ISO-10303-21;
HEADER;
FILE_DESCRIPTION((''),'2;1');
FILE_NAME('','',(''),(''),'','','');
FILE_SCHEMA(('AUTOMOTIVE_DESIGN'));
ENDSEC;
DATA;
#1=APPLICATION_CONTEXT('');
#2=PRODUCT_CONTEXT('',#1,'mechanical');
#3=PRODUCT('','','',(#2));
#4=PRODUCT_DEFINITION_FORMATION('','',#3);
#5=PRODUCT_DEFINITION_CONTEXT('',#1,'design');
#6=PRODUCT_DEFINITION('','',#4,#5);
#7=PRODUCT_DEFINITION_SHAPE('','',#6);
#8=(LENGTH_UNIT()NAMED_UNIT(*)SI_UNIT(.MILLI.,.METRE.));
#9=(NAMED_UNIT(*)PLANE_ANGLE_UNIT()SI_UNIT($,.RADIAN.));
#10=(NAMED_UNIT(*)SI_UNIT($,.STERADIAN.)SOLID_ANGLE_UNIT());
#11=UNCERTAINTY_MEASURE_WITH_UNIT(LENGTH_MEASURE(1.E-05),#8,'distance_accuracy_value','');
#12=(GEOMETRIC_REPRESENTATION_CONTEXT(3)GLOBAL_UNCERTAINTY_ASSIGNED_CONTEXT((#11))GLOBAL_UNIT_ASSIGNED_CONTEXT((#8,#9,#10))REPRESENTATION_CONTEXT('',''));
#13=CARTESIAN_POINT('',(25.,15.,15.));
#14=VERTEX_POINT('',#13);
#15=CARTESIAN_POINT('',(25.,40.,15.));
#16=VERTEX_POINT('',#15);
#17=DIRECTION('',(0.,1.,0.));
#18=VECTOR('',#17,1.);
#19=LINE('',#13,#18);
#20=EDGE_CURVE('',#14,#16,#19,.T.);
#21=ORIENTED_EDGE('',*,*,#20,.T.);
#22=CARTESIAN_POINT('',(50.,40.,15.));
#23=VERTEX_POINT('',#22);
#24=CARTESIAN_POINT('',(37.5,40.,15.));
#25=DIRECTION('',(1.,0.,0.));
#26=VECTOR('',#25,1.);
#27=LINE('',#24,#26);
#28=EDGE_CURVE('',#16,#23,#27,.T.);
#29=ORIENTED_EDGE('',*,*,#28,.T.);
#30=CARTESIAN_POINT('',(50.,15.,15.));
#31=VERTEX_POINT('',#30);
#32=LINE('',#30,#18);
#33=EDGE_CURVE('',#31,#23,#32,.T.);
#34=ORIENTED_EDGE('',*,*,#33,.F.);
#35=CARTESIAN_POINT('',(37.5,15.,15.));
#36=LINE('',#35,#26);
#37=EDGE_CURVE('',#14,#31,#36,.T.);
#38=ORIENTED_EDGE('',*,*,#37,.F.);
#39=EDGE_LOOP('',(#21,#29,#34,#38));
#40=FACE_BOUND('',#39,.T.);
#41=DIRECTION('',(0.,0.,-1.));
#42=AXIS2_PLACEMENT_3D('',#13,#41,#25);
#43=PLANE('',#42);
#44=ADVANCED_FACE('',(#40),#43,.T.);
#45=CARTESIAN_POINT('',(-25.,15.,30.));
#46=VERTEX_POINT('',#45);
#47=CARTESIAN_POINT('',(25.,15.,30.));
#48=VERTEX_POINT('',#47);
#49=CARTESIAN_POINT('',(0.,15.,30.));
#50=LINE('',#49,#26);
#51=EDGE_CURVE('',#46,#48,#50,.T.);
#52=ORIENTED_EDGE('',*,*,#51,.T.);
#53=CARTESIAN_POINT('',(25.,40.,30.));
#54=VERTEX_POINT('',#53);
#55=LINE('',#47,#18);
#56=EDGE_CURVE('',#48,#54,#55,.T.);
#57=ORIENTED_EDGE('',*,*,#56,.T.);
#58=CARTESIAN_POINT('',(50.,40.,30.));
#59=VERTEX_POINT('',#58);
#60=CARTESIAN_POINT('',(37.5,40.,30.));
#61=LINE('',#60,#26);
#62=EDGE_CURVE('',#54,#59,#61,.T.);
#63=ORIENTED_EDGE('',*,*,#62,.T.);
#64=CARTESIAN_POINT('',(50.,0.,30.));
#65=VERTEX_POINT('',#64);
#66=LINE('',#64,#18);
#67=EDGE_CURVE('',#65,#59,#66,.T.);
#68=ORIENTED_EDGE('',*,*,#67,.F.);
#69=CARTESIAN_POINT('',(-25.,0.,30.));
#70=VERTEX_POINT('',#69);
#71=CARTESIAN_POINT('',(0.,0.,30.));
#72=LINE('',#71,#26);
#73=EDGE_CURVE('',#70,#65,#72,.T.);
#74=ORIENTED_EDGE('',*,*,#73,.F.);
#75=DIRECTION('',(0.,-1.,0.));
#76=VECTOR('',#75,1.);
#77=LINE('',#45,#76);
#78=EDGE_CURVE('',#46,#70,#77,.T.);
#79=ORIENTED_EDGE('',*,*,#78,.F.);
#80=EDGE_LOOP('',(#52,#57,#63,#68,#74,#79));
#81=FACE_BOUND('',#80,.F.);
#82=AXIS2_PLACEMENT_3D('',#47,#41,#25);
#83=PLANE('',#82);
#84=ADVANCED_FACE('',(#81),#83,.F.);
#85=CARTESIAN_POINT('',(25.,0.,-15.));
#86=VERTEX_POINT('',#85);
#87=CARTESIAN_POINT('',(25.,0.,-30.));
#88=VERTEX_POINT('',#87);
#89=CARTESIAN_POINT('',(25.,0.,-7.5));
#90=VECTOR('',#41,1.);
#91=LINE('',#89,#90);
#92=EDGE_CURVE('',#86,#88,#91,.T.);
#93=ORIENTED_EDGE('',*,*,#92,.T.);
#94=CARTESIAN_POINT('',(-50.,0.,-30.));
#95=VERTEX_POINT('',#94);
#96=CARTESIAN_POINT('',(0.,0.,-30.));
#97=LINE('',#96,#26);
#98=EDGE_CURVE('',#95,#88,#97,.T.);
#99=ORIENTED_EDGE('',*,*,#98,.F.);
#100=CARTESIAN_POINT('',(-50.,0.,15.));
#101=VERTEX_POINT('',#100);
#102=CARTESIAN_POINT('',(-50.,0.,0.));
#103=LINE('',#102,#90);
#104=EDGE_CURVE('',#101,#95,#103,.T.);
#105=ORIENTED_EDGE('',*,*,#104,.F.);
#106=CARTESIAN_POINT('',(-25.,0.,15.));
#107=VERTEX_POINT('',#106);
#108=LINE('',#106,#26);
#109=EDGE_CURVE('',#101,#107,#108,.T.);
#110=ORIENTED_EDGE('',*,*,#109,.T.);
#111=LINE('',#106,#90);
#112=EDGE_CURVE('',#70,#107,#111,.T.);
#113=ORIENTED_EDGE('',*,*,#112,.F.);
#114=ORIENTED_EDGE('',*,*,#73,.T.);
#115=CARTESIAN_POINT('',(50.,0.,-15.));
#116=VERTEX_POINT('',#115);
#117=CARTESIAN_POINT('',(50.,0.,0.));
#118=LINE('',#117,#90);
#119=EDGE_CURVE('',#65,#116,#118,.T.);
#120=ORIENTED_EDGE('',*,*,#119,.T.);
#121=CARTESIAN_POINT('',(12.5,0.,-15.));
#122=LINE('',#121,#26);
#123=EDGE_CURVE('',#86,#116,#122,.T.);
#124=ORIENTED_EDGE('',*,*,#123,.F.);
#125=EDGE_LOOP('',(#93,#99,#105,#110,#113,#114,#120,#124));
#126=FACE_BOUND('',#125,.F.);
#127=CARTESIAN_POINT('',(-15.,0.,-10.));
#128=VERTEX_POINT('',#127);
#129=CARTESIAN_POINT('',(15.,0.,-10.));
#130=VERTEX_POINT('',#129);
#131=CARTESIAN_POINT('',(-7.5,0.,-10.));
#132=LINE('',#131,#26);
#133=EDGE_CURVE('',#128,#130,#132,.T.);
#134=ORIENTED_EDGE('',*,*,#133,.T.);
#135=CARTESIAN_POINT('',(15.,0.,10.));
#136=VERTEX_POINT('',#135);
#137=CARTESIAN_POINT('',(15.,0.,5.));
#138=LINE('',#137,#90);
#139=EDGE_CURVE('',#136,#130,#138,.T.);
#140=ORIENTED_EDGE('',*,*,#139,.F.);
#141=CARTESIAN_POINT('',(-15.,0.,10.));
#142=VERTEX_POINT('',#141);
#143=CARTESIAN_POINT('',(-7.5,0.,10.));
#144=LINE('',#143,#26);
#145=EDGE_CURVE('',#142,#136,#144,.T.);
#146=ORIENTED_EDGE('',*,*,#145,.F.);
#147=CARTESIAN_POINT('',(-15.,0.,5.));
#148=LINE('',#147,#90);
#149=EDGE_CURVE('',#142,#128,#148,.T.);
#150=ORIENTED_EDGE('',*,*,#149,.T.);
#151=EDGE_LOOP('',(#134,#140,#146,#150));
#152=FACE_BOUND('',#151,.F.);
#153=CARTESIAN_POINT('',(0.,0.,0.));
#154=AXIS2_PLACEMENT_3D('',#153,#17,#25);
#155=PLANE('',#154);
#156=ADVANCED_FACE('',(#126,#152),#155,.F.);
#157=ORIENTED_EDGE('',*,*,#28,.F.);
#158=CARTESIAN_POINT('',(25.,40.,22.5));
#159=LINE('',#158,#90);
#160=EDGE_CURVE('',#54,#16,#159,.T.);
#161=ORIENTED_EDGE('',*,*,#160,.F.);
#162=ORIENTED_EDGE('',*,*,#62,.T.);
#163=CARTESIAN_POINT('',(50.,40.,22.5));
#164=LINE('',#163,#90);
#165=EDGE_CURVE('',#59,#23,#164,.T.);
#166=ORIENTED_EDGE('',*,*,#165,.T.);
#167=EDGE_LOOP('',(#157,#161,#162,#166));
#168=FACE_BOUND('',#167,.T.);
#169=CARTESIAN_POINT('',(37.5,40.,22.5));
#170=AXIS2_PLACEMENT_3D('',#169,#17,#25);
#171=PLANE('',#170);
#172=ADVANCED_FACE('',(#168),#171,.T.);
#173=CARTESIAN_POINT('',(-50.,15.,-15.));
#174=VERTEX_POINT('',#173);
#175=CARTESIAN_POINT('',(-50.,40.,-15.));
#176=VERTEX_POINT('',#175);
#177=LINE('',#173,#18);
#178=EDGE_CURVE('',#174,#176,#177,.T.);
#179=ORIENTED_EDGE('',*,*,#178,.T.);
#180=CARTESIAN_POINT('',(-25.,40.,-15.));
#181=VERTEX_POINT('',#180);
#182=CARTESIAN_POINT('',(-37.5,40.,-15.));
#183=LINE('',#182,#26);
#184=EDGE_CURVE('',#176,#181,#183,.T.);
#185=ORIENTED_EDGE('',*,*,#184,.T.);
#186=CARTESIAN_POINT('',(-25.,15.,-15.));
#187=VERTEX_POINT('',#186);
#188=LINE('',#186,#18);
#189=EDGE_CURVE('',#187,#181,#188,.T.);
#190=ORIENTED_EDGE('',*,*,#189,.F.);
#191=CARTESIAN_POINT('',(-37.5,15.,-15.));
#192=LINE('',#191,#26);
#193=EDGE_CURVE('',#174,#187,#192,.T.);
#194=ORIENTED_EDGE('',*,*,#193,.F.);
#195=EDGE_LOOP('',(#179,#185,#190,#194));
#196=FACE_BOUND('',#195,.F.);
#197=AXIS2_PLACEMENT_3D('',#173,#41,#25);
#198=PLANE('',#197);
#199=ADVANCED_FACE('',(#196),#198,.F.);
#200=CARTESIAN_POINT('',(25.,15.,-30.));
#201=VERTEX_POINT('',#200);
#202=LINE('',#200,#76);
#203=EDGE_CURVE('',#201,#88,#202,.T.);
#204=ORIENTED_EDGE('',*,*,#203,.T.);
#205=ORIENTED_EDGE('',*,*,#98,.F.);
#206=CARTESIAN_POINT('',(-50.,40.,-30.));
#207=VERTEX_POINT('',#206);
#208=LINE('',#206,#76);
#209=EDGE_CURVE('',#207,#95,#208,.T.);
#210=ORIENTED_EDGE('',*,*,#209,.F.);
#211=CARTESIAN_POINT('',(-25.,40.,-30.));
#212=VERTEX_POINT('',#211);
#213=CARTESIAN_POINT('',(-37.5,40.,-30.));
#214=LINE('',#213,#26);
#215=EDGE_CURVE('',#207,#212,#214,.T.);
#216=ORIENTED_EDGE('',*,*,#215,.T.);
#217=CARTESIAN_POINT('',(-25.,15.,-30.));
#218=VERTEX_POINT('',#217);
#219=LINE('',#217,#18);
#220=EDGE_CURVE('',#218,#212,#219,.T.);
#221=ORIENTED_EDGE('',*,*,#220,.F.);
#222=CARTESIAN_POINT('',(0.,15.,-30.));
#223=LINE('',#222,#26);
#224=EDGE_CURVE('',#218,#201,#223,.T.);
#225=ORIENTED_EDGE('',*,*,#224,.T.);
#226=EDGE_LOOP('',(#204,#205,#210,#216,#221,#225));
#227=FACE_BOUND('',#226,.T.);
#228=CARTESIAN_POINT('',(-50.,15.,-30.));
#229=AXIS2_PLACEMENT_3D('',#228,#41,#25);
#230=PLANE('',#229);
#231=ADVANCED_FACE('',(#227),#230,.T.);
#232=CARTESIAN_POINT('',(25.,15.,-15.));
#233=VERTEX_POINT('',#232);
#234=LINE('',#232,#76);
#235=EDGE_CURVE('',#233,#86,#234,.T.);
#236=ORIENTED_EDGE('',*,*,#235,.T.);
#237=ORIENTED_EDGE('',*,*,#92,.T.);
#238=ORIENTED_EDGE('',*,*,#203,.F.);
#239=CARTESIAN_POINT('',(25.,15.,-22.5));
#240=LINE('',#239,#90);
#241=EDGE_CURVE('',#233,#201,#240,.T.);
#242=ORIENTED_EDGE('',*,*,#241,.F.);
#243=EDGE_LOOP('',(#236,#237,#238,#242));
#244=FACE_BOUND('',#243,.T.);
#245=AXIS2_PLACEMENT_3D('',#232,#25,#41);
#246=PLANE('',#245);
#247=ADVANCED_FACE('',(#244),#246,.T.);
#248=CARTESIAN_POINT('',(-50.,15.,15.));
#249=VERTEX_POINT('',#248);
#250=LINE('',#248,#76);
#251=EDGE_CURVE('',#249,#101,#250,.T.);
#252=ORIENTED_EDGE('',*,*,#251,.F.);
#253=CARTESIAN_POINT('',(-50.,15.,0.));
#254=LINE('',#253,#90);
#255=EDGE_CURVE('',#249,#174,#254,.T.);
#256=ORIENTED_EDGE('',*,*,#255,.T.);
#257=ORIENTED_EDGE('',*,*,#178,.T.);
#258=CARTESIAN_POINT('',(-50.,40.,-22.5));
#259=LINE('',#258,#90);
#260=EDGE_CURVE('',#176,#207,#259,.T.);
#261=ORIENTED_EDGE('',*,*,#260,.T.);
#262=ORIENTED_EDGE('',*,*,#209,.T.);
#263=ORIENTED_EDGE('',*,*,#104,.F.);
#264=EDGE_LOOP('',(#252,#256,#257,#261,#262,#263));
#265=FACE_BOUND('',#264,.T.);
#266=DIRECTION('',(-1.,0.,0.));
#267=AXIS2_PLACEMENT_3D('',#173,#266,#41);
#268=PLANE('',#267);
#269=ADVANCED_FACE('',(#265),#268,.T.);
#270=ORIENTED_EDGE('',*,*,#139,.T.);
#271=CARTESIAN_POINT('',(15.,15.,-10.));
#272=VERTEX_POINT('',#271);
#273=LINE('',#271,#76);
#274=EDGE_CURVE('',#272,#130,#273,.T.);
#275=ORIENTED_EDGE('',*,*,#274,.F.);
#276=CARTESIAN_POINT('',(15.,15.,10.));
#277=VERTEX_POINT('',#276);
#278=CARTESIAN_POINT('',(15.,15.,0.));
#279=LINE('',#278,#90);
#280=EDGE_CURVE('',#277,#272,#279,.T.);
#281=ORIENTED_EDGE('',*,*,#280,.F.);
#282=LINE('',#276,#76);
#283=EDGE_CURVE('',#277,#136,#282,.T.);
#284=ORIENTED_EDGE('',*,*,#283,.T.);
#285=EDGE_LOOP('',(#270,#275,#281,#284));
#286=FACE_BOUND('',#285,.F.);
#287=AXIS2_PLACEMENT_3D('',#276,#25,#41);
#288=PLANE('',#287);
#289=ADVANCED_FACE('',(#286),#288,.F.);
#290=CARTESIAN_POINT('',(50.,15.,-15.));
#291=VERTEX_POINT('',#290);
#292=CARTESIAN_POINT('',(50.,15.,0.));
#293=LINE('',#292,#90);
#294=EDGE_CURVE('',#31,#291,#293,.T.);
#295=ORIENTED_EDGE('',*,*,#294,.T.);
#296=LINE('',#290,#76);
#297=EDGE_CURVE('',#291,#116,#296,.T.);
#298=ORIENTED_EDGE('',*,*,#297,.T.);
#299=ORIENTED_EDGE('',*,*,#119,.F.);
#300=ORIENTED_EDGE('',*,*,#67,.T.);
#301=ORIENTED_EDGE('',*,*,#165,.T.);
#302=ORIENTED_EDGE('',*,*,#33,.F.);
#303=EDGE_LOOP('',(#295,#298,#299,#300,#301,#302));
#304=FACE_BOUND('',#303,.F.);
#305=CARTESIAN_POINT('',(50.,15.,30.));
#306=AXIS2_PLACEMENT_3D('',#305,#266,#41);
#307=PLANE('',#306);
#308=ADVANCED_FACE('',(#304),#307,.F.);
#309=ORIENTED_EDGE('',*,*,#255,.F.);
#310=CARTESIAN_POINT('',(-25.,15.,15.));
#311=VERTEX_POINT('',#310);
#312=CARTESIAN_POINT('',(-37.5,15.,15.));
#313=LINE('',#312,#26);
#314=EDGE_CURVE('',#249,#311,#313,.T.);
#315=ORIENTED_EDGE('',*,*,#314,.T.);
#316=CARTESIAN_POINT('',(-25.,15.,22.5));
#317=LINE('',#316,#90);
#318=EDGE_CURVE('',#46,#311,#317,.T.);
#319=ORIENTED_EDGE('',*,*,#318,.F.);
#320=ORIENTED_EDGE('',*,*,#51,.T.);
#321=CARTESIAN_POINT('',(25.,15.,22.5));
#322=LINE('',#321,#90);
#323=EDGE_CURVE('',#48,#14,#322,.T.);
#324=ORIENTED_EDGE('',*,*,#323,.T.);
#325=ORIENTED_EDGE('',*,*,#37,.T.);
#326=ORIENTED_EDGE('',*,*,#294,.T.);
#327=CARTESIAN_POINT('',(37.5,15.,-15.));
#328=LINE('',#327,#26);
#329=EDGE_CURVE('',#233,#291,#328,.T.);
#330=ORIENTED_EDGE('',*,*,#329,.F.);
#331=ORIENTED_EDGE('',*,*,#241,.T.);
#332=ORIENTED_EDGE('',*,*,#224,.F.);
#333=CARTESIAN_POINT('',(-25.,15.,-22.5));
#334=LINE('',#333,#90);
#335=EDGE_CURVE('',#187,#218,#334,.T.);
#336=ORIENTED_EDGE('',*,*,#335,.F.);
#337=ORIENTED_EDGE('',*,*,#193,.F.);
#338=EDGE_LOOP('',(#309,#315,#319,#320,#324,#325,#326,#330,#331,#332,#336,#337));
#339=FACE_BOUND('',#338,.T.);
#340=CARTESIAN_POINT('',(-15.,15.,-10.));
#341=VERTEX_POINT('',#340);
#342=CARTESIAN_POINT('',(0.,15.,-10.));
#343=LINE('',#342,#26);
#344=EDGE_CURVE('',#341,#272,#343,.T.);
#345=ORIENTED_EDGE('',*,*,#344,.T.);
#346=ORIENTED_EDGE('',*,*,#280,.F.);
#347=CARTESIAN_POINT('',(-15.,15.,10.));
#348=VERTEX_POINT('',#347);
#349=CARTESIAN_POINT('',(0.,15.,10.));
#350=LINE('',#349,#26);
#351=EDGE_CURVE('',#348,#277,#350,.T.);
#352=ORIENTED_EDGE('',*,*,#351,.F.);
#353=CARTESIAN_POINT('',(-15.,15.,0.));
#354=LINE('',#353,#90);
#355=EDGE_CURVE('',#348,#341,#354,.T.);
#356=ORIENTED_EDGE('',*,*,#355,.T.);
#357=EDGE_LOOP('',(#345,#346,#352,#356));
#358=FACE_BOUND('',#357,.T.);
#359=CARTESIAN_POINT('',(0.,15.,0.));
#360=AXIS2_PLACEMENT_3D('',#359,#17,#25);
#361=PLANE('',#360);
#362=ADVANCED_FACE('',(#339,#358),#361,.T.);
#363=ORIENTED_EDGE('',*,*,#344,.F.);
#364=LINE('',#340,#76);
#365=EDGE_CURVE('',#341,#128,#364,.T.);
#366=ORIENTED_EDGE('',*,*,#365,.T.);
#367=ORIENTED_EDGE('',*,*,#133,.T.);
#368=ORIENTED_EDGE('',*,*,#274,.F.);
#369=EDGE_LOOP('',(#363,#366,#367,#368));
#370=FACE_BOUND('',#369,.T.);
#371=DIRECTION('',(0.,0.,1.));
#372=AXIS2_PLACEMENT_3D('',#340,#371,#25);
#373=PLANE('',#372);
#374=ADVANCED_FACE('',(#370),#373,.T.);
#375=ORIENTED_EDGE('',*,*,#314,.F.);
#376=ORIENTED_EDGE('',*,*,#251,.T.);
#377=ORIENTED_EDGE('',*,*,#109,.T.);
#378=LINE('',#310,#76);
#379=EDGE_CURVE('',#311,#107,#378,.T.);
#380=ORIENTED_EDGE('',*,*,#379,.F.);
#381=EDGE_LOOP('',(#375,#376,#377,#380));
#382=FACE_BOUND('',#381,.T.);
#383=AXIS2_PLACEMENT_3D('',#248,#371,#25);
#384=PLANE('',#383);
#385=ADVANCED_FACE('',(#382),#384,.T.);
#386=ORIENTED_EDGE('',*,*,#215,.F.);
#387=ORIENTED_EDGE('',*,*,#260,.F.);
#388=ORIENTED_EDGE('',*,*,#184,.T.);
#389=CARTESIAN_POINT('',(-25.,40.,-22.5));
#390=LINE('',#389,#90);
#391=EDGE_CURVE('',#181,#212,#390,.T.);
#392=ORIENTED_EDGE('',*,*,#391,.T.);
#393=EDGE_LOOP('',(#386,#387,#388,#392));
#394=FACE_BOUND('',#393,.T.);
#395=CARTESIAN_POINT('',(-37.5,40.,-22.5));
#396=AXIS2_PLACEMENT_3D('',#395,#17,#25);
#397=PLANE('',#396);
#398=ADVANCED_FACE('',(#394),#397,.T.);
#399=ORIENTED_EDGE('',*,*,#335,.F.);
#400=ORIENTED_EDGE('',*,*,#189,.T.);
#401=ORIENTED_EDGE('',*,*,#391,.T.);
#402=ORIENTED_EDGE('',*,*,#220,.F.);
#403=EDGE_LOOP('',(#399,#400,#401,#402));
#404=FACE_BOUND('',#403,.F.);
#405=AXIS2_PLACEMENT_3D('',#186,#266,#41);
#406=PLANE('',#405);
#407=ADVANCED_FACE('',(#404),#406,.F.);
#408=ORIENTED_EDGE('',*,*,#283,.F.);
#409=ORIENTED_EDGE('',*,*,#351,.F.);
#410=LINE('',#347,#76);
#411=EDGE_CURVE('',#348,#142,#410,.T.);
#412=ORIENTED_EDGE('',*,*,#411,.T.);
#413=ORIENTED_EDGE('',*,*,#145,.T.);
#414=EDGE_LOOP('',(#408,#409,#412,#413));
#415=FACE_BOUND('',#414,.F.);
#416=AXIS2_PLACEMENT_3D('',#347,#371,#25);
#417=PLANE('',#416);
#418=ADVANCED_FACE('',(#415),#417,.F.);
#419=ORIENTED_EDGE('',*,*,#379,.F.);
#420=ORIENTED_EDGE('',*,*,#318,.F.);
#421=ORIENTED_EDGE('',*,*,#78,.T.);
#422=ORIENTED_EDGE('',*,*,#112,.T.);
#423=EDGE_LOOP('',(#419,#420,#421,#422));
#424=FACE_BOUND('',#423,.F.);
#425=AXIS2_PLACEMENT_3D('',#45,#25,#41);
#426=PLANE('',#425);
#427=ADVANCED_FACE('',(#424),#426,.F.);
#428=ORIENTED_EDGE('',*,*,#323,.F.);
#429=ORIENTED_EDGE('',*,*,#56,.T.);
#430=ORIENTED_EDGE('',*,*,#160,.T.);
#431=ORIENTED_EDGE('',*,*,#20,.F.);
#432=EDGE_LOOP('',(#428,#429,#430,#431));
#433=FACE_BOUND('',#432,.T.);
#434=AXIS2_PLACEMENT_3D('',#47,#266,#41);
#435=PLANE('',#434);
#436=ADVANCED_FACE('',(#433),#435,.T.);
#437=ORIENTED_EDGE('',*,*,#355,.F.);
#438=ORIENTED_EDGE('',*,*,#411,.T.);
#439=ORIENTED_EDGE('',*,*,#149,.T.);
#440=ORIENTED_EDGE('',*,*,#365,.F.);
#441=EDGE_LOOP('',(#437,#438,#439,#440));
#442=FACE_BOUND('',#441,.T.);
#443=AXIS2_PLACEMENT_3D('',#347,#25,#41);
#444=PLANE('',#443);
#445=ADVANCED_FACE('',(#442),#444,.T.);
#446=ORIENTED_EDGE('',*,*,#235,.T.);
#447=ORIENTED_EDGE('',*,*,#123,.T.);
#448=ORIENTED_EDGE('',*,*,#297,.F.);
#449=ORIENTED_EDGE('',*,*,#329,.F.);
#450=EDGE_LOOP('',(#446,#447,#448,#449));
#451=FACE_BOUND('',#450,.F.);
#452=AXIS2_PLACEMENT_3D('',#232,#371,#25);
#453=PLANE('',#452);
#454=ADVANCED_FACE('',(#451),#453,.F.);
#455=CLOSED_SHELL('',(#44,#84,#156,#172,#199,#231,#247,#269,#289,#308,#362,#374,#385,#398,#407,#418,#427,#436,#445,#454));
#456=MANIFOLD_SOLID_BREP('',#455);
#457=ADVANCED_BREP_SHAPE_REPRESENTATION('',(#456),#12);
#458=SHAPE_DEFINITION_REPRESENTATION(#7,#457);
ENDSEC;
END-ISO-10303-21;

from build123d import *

# Parameters (mm, degrees)
SKETCH1_W           = 100
SKETCH1_H           = 60
BOSS_EXTRUDE1_DEPTH = 15
SKETCH2_W           = 25
SKETCH2_H           = 15
BOSS_EXTRUDE2_DEPTH = 25
SKETCH4_W           = 25
SKETCH4_H           = 15
BOSS_EXTRUDE3_DEPTH = 25
SKETCH5_W           = 25
SKETCH5_H           = 15
CUT_EXTRUDE1_DEPTH  = 25
SKETCH6_W           = 25
SKETCH6_H           = 15
CUT_EXTRUDE2_DEPTH  = 25
SKETCH7_W           = 30
SKETCH7_H           = 20
CUT_EXTRUDE3_DEPTH  = 25


with BuildPart() as part:
    # Sketch1 → Boss-Extrude1 (new body)
    with BuildSketch(Plane(origin=(0, 0, 0), x_dir=(1, 0, 0), z_dir=(0, 1, 0))):
        Rectangle(SKETCH1_W, SKETCH1_H)
    extrude(amount=BOSS_EXTRUDE1_DEPTH)

    # Sketch2 → Boss-Extrude2 (add)
    with BuildSketch(Plane(origin=(0, 15, 0), x_dir=(1, 0, 0), z_dir=(0, 1, 0))):
        with Locations((-37.5, 22.5)):
            Rectangle(SKETCH2_W, SKETCH2_H)
    extrude(amount=BOSS_EXTRUDE2_DEPTH)

    # Sketch4 → Boss-Extrude3 (add)
    with BuildSketch(Plane(origin=(0, 15, 0), x_dir=(1, 0, 0), z_dir=(0, 1, 0))):
        with Locations((37.5, -22.5)):
            Rectangle(SKETCH4_W, SKETCH4_H)
    extrude(amount=BOSS_EXTRUDE3_DEPTH)

    # Sketch5 → Cut-Extrude1 (cut)
    with BuildSketch(Plane(origin=(0, 15, 0), x_dir=(1, 0, 0), z_dir=(0, 1, 0))):
        with Locations((-37.5, -22.5)):
            Rectangle(SKETCH5_W, SKETCH5_H)
    extrude(amount=-CUT_EXTRUDE1_DEPTH, mode=Mode.SUBTRACT)

    # Sketch6 → Cut-Extrude2 (cut)
    with BuildSketch(Plane(origin=(0, 15, 0), x_dir=(1, 0, 0), z_dir=(0, 1, 0))):
        with Locations((37.5, 22.5)):
            Rectangle(SKETCH6_W, SKETCH6_H)
    extrude(amount=-CUT_EXTRUDE2_DEPTH, mode=Mode.SUBTRACT)

    # Sketch7 → Cut-Extrude3 (cut)
    with BuildSketch(Plane(origin=(0, 15, 0), x_dir=(1, 0, 0), z_dir=(0, 1, 0))):
        Rectangle(SKETCH7_W, SKETCH7_H)
    extrude(amount=-CUT_EXTRUDE3_DEPTH, mode=Mode.SUBTRACT)


solid = part.part
